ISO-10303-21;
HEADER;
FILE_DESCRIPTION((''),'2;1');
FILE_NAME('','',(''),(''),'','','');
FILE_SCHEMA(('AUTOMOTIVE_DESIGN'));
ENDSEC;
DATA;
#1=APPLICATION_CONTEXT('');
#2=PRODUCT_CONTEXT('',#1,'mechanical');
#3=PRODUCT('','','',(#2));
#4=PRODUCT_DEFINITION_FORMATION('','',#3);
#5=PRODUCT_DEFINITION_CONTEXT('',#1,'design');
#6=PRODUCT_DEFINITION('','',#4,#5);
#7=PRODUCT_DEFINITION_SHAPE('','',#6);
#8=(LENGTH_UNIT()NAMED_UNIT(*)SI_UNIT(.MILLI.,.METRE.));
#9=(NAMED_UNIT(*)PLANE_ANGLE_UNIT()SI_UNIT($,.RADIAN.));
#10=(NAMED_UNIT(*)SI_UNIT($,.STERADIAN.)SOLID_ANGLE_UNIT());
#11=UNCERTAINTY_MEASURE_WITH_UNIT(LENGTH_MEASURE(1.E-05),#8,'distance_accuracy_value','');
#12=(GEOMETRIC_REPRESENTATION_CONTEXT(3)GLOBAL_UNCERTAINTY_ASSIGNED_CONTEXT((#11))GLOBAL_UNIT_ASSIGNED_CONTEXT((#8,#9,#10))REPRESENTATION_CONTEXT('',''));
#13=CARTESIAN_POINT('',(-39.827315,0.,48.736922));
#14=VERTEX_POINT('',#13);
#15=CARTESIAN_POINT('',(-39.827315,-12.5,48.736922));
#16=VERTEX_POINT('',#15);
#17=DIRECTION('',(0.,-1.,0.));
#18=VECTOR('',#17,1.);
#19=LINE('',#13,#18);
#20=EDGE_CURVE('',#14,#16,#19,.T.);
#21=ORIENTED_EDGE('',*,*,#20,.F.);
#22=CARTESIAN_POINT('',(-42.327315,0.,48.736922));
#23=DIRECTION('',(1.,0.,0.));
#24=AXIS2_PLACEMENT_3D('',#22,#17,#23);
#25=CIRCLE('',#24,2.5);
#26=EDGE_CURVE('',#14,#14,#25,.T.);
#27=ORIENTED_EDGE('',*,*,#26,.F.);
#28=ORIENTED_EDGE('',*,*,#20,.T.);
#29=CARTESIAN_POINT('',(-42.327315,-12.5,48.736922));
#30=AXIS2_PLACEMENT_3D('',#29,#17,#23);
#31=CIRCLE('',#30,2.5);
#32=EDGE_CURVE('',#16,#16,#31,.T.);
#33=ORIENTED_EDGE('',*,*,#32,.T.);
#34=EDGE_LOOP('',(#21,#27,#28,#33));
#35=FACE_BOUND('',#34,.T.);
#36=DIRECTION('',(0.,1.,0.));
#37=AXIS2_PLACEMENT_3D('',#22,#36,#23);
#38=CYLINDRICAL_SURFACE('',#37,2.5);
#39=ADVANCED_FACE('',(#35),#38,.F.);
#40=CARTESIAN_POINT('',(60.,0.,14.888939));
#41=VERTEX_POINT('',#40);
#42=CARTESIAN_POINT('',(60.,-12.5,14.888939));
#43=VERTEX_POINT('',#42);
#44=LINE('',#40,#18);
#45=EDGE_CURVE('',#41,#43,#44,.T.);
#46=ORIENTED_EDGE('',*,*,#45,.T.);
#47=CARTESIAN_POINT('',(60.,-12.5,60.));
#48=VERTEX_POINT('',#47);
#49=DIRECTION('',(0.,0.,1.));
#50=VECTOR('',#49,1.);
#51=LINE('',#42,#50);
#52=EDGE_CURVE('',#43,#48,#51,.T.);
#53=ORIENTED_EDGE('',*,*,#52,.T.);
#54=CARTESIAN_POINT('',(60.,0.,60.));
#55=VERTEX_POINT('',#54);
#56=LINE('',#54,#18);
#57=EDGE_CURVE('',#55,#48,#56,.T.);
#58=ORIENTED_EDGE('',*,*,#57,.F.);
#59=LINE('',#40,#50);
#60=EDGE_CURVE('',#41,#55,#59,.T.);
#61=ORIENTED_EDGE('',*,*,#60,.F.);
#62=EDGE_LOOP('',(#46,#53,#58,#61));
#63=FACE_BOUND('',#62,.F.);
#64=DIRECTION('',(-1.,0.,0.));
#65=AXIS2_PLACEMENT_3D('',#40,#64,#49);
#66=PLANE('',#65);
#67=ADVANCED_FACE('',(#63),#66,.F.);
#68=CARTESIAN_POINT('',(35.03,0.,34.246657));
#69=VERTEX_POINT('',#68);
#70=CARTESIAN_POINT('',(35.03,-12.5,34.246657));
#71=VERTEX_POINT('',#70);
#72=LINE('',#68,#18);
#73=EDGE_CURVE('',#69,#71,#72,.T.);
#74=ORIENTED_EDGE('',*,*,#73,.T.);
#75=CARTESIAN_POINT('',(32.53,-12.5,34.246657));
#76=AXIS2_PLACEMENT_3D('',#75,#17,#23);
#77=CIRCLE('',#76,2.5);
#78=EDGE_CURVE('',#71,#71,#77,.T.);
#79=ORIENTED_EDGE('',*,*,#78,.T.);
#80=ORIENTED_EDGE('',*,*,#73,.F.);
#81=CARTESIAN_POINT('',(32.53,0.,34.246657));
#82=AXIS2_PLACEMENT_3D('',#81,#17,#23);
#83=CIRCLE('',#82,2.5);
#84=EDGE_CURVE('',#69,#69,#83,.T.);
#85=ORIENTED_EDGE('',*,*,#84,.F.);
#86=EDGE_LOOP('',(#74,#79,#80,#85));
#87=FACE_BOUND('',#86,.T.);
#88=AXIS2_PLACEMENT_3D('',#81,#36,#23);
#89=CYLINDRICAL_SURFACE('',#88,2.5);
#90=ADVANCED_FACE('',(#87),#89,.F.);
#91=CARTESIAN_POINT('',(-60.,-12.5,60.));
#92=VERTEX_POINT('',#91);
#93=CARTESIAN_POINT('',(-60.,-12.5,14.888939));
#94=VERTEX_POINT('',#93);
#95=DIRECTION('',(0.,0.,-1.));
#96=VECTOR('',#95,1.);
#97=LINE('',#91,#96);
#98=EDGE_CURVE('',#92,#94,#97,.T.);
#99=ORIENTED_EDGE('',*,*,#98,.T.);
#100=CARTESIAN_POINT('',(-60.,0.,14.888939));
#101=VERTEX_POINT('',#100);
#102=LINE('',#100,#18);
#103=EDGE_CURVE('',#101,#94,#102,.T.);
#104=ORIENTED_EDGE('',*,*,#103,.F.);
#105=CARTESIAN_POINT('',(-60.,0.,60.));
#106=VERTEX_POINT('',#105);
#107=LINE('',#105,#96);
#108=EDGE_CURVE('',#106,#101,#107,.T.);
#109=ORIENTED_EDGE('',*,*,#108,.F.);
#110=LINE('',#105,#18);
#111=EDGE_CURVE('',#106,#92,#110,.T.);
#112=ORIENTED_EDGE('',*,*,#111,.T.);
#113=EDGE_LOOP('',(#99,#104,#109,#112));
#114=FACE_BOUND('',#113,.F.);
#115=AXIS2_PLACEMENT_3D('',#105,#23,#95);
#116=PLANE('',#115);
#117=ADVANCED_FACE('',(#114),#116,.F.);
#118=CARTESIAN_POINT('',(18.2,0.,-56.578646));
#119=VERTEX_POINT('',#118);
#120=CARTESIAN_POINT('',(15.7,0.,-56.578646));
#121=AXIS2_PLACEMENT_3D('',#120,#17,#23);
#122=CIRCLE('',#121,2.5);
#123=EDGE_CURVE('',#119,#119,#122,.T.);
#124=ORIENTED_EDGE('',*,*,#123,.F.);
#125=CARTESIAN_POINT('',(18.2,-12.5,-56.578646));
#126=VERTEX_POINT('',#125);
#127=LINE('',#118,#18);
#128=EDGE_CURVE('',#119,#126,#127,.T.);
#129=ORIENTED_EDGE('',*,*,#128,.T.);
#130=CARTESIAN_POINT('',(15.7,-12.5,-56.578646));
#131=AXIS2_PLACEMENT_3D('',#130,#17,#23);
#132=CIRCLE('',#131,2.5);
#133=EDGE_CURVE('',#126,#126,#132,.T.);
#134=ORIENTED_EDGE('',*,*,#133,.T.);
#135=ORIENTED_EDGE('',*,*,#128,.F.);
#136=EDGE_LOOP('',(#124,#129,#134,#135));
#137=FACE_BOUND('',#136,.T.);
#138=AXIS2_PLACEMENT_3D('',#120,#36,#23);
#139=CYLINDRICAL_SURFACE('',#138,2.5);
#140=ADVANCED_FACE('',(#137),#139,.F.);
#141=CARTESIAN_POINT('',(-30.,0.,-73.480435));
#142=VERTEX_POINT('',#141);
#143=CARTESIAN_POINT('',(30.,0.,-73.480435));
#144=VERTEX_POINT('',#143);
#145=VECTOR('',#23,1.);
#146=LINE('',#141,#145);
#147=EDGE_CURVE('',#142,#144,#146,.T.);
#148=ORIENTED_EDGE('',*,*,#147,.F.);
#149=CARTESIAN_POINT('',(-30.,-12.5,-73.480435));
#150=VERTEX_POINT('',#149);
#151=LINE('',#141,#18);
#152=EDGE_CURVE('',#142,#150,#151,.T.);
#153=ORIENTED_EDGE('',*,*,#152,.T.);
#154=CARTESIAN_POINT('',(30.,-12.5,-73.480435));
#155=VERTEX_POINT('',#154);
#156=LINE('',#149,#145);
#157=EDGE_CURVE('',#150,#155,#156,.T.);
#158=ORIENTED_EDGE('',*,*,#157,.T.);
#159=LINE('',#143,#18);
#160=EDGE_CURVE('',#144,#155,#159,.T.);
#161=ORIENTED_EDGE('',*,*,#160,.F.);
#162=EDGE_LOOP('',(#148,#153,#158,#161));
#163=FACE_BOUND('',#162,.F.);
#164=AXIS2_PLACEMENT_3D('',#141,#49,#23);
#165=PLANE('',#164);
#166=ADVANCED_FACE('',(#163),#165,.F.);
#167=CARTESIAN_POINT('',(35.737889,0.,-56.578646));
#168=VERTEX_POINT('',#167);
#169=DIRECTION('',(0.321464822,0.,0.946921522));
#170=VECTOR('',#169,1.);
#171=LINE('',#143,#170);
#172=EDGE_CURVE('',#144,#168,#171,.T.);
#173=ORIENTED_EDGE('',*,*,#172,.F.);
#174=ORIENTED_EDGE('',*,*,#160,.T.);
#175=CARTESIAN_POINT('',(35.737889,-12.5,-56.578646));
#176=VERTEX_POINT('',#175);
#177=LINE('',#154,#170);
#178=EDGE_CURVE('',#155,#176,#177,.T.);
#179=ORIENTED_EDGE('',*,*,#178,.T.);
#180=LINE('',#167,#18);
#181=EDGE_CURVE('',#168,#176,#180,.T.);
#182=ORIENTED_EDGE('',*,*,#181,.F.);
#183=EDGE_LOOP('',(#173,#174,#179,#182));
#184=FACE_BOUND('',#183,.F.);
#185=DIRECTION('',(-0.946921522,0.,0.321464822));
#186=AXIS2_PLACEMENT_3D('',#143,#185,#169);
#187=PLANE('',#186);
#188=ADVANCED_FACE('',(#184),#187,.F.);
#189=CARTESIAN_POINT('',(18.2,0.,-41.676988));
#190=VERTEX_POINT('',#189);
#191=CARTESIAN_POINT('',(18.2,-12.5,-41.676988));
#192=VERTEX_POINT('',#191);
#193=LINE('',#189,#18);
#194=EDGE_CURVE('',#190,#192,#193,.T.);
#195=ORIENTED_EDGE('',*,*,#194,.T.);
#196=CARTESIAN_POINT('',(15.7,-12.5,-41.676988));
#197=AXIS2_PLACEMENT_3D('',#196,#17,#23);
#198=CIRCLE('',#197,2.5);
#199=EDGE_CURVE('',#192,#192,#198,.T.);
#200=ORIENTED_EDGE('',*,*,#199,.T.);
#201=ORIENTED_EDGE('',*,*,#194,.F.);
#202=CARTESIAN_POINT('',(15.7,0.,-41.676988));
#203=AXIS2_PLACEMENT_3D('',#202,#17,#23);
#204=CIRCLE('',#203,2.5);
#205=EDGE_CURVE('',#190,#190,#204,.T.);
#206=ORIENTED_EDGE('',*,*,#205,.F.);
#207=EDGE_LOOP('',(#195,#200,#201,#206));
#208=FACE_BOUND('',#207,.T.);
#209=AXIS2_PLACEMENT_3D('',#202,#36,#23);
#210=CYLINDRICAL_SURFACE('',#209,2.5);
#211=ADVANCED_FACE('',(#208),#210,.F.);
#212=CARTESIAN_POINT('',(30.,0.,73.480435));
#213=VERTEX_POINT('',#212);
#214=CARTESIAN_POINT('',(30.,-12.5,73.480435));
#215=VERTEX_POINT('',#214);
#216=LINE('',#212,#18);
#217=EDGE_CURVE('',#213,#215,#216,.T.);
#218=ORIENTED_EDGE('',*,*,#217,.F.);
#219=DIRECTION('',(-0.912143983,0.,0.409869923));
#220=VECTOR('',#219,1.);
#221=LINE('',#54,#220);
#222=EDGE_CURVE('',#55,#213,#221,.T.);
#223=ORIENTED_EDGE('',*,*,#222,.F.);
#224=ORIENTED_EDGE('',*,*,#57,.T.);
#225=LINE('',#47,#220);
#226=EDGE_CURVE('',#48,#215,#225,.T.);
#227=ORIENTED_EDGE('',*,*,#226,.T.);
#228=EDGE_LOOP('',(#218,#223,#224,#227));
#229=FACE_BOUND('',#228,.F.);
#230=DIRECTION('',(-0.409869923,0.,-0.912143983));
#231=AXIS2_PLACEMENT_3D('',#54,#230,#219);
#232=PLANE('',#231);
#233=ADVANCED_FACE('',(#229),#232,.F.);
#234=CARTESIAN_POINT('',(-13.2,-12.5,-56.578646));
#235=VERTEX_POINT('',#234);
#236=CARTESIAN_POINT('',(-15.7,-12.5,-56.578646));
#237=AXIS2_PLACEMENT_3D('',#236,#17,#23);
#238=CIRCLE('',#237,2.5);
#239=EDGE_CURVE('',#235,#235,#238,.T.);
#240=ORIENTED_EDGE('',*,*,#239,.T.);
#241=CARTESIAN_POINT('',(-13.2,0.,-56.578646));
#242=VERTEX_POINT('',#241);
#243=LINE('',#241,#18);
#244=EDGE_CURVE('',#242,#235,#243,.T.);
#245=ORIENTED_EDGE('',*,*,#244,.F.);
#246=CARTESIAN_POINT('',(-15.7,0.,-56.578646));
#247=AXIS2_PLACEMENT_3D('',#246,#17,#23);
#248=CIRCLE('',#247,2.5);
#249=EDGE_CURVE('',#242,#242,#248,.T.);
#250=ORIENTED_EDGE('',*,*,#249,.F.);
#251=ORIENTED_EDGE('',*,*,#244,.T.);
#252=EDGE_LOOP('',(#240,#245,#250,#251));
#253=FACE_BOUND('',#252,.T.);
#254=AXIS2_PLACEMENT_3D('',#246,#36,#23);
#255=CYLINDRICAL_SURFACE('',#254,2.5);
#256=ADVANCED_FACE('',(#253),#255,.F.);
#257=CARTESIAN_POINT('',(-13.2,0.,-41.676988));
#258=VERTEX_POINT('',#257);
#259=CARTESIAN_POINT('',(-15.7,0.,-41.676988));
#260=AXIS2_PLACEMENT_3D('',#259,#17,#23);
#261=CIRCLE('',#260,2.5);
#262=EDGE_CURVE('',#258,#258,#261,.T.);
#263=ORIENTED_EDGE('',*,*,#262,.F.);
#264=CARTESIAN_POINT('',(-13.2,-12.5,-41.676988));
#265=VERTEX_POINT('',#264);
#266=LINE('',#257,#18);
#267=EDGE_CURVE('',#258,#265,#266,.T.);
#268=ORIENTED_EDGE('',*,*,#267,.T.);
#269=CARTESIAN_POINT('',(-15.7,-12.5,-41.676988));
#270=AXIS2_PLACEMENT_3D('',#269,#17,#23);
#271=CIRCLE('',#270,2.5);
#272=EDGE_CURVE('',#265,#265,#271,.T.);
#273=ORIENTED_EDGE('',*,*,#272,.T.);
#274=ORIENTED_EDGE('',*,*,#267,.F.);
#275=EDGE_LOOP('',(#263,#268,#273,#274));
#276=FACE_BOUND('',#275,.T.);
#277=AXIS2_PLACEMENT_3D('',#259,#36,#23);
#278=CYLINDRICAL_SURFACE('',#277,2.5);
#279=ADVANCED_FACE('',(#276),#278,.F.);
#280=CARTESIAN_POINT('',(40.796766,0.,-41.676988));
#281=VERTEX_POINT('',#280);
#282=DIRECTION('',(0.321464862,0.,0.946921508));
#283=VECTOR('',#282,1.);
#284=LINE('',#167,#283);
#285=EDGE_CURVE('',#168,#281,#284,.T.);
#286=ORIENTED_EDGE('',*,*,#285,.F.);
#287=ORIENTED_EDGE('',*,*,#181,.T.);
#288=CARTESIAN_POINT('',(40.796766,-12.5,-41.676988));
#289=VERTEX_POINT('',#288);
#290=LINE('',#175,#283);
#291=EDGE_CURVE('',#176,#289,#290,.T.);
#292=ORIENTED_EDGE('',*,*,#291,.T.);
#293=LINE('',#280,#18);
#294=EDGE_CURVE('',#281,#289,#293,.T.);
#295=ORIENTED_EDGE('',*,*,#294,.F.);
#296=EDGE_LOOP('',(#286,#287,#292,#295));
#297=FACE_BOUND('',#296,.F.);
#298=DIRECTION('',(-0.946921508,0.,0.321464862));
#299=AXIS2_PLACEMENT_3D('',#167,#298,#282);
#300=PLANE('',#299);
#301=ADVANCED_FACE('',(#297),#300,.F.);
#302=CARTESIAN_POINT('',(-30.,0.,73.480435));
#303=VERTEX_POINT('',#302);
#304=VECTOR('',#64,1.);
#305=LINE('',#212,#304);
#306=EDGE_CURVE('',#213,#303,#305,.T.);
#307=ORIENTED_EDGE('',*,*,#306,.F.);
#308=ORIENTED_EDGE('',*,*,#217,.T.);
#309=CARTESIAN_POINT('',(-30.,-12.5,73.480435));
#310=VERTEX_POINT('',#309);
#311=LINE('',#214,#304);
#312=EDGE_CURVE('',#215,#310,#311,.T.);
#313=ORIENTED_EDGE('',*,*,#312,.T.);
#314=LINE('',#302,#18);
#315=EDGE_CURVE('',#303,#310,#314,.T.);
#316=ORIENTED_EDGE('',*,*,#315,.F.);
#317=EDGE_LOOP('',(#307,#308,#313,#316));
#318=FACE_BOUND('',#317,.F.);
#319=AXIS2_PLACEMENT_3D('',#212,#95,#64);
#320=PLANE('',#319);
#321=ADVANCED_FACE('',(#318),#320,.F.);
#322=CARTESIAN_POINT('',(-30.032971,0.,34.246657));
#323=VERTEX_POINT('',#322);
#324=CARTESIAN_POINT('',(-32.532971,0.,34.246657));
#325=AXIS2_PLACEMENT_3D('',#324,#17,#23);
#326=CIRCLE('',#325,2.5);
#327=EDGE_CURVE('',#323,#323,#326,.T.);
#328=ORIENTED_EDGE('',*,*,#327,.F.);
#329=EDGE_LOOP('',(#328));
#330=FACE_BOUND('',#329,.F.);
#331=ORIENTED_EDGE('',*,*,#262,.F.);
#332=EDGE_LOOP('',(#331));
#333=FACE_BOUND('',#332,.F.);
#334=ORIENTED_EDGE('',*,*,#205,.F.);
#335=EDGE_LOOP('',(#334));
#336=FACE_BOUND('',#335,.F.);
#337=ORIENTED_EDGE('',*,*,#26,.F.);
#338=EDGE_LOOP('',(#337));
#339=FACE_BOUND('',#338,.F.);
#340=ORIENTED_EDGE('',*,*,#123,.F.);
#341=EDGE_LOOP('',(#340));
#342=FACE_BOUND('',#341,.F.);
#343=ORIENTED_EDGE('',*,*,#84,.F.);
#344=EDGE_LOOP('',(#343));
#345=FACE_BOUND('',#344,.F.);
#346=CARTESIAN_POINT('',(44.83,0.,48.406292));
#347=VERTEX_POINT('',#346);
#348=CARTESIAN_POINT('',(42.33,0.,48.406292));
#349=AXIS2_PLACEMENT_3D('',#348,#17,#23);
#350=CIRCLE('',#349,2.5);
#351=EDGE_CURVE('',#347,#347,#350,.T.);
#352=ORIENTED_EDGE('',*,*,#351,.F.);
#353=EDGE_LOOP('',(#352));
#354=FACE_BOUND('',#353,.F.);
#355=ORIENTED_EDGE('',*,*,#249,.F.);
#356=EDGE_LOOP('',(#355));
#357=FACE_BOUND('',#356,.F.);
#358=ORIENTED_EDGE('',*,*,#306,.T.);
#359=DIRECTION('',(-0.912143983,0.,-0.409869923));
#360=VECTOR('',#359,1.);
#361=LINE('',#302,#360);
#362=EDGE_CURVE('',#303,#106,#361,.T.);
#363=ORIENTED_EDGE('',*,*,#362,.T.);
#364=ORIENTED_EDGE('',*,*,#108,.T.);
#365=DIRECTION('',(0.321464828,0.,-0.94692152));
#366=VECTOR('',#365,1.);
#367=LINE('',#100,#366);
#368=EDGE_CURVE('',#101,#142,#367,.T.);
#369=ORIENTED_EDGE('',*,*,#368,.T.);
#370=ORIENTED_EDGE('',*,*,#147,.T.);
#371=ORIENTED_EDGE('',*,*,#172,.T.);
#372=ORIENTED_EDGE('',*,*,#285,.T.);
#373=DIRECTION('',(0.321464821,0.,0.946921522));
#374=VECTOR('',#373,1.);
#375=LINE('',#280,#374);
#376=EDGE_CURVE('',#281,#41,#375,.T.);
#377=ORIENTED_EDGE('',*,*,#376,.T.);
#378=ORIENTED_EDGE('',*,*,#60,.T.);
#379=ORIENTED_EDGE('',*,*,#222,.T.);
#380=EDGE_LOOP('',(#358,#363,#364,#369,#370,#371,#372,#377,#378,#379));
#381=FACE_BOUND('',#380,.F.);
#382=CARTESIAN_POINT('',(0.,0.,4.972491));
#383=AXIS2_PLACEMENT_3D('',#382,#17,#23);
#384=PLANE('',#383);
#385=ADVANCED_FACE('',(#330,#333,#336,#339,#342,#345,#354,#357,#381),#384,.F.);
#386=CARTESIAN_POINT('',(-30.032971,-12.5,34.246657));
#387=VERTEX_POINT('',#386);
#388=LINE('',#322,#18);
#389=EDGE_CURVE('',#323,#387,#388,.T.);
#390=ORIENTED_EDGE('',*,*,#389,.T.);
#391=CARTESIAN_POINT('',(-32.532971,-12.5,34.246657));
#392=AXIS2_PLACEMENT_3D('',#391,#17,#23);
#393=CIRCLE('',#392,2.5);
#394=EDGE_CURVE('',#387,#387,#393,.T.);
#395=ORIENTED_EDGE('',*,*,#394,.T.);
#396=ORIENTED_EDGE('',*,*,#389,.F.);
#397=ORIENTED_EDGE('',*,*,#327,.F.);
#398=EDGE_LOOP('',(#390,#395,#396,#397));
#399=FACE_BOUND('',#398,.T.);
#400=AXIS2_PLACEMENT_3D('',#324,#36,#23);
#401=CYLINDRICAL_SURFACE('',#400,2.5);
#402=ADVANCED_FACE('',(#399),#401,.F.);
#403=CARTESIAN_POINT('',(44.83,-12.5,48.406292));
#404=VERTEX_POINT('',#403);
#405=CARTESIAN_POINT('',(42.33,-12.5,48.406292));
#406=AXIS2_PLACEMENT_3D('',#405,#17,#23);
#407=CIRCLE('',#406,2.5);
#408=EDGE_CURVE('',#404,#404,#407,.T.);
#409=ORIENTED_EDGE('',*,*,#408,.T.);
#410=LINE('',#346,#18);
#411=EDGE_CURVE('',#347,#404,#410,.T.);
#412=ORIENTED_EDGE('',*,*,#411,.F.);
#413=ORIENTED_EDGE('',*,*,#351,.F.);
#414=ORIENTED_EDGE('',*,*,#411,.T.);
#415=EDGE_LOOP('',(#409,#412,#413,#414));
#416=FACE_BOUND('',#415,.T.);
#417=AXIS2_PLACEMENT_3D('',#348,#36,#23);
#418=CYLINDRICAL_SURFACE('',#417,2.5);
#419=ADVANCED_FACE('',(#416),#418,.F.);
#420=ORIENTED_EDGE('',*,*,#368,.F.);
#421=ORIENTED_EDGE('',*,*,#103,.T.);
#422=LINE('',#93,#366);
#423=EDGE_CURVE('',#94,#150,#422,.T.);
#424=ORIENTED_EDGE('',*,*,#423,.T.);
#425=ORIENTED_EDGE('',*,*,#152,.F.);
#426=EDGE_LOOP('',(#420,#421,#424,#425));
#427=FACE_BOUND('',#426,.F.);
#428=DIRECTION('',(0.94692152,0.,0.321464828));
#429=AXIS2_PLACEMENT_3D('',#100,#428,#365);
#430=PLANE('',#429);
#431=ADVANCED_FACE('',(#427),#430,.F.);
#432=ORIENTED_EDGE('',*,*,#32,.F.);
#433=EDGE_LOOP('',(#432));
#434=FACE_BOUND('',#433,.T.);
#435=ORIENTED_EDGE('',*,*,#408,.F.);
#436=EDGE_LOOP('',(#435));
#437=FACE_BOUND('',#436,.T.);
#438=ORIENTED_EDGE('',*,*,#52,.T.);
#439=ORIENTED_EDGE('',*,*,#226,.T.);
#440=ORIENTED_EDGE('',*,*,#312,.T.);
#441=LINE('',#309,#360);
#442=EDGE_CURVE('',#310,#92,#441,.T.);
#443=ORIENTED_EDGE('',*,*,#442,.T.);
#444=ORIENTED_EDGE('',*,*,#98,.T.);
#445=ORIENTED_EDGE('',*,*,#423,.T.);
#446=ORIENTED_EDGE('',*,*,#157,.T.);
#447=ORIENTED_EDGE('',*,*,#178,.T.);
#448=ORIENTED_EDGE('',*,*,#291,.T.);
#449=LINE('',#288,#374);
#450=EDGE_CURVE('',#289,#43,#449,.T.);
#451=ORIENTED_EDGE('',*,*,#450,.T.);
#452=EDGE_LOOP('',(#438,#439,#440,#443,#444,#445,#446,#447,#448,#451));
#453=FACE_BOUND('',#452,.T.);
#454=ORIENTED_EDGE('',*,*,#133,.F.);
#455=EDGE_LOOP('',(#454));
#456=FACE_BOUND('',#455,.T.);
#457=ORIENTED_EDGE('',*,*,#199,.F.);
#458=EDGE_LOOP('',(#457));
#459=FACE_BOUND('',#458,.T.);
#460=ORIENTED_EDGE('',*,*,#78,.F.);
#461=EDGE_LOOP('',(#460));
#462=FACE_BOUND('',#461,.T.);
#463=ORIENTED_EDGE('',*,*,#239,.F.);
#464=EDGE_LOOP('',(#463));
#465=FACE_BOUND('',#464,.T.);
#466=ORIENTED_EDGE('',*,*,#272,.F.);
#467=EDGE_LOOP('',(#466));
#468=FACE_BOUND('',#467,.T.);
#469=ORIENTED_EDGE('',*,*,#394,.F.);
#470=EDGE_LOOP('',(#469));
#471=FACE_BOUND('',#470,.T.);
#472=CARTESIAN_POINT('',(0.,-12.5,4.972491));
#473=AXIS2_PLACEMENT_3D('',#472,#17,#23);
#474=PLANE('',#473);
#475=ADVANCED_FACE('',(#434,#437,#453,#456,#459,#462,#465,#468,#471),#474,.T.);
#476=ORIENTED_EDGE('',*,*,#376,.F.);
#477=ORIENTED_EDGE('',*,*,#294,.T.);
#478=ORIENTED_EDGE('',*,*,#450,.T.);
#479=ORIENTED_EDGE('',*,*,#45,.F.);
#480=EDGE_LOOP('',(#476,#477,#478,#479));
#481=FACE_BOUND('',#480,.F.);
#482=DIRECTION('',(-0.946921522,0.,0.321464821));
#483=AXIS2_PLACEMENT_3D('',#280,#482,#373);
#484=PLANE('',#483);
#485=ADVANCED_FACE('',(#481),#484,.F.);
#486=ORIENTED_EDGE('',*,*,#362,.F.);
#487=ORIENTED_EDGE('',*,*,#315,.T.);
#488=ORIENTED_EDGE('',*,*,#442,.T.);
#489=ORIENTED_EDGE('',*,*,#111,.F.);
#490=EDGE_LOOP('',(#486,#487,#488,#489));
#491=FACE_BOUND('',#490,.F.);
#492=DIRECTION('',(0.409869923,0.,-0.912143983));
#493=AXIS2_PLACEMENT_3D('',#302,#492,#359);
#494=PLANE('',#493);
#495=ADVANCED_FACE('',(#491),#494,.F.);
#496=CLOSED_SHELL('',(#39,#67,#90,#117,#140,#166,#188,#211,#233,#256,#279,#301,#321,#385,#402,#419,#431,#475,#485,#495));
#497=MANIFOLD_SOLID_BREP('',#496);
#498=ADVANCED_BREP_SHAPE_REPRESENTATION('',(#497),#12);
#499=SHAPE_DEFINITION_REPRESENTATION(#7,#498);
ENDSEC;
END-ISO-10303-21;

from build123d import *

# Parameters (mm, degrees)
F0_R     = 2.5
F1_DEPTH = 12.5


with BuildPart() as f1:
    # F0 (on Front) → F1 (new body)
    with BuildSketch(Plane.XZ):
        Polygon((30, 73.480435), (-30, 73.480435), (-60, 60), (-60, 14.888939), (-30, -73.480435), (30, -73.480435), (35.737889, -56.578646), (40.796766, -41.676988), (60, 14.888939), (60, 60), align=None)
        with Locations((-15.7, -56.578646)):
            Circle(F0_R, mode=Mode.SUBTRACT)
        with Locations((-15.7, -41.676988)):
            Circle(F0_R, mode=Mode.SUBTRACT)
        with Locations((15.7, -56.578646)):
            Circle(F0_R, mode=Mode.SUBTRACT)
        with Locations((15.7, -41.676988)):
            Circle(F0_R, mode=Mode.SUBTRACT)
        with Locations((-32.532971, 34.246657)):
            Circle(F0_R, mode=Mode.SUBTRACT)
        with Locations((-42.327315, 48.736922)):
            Circle(F0_R, mode=Mode.SUBTRACT)
        with Locations((32.53, 34.246657)):
            Circle(F0_R, mode=Mode.SUBTRACT)
        with Locations((42.33, 48.406292)):
            Circle(F0_R, mode=Mode.SUBTRACT)
    extrude(amount=F1_DEPTH)


solid = f1.part
